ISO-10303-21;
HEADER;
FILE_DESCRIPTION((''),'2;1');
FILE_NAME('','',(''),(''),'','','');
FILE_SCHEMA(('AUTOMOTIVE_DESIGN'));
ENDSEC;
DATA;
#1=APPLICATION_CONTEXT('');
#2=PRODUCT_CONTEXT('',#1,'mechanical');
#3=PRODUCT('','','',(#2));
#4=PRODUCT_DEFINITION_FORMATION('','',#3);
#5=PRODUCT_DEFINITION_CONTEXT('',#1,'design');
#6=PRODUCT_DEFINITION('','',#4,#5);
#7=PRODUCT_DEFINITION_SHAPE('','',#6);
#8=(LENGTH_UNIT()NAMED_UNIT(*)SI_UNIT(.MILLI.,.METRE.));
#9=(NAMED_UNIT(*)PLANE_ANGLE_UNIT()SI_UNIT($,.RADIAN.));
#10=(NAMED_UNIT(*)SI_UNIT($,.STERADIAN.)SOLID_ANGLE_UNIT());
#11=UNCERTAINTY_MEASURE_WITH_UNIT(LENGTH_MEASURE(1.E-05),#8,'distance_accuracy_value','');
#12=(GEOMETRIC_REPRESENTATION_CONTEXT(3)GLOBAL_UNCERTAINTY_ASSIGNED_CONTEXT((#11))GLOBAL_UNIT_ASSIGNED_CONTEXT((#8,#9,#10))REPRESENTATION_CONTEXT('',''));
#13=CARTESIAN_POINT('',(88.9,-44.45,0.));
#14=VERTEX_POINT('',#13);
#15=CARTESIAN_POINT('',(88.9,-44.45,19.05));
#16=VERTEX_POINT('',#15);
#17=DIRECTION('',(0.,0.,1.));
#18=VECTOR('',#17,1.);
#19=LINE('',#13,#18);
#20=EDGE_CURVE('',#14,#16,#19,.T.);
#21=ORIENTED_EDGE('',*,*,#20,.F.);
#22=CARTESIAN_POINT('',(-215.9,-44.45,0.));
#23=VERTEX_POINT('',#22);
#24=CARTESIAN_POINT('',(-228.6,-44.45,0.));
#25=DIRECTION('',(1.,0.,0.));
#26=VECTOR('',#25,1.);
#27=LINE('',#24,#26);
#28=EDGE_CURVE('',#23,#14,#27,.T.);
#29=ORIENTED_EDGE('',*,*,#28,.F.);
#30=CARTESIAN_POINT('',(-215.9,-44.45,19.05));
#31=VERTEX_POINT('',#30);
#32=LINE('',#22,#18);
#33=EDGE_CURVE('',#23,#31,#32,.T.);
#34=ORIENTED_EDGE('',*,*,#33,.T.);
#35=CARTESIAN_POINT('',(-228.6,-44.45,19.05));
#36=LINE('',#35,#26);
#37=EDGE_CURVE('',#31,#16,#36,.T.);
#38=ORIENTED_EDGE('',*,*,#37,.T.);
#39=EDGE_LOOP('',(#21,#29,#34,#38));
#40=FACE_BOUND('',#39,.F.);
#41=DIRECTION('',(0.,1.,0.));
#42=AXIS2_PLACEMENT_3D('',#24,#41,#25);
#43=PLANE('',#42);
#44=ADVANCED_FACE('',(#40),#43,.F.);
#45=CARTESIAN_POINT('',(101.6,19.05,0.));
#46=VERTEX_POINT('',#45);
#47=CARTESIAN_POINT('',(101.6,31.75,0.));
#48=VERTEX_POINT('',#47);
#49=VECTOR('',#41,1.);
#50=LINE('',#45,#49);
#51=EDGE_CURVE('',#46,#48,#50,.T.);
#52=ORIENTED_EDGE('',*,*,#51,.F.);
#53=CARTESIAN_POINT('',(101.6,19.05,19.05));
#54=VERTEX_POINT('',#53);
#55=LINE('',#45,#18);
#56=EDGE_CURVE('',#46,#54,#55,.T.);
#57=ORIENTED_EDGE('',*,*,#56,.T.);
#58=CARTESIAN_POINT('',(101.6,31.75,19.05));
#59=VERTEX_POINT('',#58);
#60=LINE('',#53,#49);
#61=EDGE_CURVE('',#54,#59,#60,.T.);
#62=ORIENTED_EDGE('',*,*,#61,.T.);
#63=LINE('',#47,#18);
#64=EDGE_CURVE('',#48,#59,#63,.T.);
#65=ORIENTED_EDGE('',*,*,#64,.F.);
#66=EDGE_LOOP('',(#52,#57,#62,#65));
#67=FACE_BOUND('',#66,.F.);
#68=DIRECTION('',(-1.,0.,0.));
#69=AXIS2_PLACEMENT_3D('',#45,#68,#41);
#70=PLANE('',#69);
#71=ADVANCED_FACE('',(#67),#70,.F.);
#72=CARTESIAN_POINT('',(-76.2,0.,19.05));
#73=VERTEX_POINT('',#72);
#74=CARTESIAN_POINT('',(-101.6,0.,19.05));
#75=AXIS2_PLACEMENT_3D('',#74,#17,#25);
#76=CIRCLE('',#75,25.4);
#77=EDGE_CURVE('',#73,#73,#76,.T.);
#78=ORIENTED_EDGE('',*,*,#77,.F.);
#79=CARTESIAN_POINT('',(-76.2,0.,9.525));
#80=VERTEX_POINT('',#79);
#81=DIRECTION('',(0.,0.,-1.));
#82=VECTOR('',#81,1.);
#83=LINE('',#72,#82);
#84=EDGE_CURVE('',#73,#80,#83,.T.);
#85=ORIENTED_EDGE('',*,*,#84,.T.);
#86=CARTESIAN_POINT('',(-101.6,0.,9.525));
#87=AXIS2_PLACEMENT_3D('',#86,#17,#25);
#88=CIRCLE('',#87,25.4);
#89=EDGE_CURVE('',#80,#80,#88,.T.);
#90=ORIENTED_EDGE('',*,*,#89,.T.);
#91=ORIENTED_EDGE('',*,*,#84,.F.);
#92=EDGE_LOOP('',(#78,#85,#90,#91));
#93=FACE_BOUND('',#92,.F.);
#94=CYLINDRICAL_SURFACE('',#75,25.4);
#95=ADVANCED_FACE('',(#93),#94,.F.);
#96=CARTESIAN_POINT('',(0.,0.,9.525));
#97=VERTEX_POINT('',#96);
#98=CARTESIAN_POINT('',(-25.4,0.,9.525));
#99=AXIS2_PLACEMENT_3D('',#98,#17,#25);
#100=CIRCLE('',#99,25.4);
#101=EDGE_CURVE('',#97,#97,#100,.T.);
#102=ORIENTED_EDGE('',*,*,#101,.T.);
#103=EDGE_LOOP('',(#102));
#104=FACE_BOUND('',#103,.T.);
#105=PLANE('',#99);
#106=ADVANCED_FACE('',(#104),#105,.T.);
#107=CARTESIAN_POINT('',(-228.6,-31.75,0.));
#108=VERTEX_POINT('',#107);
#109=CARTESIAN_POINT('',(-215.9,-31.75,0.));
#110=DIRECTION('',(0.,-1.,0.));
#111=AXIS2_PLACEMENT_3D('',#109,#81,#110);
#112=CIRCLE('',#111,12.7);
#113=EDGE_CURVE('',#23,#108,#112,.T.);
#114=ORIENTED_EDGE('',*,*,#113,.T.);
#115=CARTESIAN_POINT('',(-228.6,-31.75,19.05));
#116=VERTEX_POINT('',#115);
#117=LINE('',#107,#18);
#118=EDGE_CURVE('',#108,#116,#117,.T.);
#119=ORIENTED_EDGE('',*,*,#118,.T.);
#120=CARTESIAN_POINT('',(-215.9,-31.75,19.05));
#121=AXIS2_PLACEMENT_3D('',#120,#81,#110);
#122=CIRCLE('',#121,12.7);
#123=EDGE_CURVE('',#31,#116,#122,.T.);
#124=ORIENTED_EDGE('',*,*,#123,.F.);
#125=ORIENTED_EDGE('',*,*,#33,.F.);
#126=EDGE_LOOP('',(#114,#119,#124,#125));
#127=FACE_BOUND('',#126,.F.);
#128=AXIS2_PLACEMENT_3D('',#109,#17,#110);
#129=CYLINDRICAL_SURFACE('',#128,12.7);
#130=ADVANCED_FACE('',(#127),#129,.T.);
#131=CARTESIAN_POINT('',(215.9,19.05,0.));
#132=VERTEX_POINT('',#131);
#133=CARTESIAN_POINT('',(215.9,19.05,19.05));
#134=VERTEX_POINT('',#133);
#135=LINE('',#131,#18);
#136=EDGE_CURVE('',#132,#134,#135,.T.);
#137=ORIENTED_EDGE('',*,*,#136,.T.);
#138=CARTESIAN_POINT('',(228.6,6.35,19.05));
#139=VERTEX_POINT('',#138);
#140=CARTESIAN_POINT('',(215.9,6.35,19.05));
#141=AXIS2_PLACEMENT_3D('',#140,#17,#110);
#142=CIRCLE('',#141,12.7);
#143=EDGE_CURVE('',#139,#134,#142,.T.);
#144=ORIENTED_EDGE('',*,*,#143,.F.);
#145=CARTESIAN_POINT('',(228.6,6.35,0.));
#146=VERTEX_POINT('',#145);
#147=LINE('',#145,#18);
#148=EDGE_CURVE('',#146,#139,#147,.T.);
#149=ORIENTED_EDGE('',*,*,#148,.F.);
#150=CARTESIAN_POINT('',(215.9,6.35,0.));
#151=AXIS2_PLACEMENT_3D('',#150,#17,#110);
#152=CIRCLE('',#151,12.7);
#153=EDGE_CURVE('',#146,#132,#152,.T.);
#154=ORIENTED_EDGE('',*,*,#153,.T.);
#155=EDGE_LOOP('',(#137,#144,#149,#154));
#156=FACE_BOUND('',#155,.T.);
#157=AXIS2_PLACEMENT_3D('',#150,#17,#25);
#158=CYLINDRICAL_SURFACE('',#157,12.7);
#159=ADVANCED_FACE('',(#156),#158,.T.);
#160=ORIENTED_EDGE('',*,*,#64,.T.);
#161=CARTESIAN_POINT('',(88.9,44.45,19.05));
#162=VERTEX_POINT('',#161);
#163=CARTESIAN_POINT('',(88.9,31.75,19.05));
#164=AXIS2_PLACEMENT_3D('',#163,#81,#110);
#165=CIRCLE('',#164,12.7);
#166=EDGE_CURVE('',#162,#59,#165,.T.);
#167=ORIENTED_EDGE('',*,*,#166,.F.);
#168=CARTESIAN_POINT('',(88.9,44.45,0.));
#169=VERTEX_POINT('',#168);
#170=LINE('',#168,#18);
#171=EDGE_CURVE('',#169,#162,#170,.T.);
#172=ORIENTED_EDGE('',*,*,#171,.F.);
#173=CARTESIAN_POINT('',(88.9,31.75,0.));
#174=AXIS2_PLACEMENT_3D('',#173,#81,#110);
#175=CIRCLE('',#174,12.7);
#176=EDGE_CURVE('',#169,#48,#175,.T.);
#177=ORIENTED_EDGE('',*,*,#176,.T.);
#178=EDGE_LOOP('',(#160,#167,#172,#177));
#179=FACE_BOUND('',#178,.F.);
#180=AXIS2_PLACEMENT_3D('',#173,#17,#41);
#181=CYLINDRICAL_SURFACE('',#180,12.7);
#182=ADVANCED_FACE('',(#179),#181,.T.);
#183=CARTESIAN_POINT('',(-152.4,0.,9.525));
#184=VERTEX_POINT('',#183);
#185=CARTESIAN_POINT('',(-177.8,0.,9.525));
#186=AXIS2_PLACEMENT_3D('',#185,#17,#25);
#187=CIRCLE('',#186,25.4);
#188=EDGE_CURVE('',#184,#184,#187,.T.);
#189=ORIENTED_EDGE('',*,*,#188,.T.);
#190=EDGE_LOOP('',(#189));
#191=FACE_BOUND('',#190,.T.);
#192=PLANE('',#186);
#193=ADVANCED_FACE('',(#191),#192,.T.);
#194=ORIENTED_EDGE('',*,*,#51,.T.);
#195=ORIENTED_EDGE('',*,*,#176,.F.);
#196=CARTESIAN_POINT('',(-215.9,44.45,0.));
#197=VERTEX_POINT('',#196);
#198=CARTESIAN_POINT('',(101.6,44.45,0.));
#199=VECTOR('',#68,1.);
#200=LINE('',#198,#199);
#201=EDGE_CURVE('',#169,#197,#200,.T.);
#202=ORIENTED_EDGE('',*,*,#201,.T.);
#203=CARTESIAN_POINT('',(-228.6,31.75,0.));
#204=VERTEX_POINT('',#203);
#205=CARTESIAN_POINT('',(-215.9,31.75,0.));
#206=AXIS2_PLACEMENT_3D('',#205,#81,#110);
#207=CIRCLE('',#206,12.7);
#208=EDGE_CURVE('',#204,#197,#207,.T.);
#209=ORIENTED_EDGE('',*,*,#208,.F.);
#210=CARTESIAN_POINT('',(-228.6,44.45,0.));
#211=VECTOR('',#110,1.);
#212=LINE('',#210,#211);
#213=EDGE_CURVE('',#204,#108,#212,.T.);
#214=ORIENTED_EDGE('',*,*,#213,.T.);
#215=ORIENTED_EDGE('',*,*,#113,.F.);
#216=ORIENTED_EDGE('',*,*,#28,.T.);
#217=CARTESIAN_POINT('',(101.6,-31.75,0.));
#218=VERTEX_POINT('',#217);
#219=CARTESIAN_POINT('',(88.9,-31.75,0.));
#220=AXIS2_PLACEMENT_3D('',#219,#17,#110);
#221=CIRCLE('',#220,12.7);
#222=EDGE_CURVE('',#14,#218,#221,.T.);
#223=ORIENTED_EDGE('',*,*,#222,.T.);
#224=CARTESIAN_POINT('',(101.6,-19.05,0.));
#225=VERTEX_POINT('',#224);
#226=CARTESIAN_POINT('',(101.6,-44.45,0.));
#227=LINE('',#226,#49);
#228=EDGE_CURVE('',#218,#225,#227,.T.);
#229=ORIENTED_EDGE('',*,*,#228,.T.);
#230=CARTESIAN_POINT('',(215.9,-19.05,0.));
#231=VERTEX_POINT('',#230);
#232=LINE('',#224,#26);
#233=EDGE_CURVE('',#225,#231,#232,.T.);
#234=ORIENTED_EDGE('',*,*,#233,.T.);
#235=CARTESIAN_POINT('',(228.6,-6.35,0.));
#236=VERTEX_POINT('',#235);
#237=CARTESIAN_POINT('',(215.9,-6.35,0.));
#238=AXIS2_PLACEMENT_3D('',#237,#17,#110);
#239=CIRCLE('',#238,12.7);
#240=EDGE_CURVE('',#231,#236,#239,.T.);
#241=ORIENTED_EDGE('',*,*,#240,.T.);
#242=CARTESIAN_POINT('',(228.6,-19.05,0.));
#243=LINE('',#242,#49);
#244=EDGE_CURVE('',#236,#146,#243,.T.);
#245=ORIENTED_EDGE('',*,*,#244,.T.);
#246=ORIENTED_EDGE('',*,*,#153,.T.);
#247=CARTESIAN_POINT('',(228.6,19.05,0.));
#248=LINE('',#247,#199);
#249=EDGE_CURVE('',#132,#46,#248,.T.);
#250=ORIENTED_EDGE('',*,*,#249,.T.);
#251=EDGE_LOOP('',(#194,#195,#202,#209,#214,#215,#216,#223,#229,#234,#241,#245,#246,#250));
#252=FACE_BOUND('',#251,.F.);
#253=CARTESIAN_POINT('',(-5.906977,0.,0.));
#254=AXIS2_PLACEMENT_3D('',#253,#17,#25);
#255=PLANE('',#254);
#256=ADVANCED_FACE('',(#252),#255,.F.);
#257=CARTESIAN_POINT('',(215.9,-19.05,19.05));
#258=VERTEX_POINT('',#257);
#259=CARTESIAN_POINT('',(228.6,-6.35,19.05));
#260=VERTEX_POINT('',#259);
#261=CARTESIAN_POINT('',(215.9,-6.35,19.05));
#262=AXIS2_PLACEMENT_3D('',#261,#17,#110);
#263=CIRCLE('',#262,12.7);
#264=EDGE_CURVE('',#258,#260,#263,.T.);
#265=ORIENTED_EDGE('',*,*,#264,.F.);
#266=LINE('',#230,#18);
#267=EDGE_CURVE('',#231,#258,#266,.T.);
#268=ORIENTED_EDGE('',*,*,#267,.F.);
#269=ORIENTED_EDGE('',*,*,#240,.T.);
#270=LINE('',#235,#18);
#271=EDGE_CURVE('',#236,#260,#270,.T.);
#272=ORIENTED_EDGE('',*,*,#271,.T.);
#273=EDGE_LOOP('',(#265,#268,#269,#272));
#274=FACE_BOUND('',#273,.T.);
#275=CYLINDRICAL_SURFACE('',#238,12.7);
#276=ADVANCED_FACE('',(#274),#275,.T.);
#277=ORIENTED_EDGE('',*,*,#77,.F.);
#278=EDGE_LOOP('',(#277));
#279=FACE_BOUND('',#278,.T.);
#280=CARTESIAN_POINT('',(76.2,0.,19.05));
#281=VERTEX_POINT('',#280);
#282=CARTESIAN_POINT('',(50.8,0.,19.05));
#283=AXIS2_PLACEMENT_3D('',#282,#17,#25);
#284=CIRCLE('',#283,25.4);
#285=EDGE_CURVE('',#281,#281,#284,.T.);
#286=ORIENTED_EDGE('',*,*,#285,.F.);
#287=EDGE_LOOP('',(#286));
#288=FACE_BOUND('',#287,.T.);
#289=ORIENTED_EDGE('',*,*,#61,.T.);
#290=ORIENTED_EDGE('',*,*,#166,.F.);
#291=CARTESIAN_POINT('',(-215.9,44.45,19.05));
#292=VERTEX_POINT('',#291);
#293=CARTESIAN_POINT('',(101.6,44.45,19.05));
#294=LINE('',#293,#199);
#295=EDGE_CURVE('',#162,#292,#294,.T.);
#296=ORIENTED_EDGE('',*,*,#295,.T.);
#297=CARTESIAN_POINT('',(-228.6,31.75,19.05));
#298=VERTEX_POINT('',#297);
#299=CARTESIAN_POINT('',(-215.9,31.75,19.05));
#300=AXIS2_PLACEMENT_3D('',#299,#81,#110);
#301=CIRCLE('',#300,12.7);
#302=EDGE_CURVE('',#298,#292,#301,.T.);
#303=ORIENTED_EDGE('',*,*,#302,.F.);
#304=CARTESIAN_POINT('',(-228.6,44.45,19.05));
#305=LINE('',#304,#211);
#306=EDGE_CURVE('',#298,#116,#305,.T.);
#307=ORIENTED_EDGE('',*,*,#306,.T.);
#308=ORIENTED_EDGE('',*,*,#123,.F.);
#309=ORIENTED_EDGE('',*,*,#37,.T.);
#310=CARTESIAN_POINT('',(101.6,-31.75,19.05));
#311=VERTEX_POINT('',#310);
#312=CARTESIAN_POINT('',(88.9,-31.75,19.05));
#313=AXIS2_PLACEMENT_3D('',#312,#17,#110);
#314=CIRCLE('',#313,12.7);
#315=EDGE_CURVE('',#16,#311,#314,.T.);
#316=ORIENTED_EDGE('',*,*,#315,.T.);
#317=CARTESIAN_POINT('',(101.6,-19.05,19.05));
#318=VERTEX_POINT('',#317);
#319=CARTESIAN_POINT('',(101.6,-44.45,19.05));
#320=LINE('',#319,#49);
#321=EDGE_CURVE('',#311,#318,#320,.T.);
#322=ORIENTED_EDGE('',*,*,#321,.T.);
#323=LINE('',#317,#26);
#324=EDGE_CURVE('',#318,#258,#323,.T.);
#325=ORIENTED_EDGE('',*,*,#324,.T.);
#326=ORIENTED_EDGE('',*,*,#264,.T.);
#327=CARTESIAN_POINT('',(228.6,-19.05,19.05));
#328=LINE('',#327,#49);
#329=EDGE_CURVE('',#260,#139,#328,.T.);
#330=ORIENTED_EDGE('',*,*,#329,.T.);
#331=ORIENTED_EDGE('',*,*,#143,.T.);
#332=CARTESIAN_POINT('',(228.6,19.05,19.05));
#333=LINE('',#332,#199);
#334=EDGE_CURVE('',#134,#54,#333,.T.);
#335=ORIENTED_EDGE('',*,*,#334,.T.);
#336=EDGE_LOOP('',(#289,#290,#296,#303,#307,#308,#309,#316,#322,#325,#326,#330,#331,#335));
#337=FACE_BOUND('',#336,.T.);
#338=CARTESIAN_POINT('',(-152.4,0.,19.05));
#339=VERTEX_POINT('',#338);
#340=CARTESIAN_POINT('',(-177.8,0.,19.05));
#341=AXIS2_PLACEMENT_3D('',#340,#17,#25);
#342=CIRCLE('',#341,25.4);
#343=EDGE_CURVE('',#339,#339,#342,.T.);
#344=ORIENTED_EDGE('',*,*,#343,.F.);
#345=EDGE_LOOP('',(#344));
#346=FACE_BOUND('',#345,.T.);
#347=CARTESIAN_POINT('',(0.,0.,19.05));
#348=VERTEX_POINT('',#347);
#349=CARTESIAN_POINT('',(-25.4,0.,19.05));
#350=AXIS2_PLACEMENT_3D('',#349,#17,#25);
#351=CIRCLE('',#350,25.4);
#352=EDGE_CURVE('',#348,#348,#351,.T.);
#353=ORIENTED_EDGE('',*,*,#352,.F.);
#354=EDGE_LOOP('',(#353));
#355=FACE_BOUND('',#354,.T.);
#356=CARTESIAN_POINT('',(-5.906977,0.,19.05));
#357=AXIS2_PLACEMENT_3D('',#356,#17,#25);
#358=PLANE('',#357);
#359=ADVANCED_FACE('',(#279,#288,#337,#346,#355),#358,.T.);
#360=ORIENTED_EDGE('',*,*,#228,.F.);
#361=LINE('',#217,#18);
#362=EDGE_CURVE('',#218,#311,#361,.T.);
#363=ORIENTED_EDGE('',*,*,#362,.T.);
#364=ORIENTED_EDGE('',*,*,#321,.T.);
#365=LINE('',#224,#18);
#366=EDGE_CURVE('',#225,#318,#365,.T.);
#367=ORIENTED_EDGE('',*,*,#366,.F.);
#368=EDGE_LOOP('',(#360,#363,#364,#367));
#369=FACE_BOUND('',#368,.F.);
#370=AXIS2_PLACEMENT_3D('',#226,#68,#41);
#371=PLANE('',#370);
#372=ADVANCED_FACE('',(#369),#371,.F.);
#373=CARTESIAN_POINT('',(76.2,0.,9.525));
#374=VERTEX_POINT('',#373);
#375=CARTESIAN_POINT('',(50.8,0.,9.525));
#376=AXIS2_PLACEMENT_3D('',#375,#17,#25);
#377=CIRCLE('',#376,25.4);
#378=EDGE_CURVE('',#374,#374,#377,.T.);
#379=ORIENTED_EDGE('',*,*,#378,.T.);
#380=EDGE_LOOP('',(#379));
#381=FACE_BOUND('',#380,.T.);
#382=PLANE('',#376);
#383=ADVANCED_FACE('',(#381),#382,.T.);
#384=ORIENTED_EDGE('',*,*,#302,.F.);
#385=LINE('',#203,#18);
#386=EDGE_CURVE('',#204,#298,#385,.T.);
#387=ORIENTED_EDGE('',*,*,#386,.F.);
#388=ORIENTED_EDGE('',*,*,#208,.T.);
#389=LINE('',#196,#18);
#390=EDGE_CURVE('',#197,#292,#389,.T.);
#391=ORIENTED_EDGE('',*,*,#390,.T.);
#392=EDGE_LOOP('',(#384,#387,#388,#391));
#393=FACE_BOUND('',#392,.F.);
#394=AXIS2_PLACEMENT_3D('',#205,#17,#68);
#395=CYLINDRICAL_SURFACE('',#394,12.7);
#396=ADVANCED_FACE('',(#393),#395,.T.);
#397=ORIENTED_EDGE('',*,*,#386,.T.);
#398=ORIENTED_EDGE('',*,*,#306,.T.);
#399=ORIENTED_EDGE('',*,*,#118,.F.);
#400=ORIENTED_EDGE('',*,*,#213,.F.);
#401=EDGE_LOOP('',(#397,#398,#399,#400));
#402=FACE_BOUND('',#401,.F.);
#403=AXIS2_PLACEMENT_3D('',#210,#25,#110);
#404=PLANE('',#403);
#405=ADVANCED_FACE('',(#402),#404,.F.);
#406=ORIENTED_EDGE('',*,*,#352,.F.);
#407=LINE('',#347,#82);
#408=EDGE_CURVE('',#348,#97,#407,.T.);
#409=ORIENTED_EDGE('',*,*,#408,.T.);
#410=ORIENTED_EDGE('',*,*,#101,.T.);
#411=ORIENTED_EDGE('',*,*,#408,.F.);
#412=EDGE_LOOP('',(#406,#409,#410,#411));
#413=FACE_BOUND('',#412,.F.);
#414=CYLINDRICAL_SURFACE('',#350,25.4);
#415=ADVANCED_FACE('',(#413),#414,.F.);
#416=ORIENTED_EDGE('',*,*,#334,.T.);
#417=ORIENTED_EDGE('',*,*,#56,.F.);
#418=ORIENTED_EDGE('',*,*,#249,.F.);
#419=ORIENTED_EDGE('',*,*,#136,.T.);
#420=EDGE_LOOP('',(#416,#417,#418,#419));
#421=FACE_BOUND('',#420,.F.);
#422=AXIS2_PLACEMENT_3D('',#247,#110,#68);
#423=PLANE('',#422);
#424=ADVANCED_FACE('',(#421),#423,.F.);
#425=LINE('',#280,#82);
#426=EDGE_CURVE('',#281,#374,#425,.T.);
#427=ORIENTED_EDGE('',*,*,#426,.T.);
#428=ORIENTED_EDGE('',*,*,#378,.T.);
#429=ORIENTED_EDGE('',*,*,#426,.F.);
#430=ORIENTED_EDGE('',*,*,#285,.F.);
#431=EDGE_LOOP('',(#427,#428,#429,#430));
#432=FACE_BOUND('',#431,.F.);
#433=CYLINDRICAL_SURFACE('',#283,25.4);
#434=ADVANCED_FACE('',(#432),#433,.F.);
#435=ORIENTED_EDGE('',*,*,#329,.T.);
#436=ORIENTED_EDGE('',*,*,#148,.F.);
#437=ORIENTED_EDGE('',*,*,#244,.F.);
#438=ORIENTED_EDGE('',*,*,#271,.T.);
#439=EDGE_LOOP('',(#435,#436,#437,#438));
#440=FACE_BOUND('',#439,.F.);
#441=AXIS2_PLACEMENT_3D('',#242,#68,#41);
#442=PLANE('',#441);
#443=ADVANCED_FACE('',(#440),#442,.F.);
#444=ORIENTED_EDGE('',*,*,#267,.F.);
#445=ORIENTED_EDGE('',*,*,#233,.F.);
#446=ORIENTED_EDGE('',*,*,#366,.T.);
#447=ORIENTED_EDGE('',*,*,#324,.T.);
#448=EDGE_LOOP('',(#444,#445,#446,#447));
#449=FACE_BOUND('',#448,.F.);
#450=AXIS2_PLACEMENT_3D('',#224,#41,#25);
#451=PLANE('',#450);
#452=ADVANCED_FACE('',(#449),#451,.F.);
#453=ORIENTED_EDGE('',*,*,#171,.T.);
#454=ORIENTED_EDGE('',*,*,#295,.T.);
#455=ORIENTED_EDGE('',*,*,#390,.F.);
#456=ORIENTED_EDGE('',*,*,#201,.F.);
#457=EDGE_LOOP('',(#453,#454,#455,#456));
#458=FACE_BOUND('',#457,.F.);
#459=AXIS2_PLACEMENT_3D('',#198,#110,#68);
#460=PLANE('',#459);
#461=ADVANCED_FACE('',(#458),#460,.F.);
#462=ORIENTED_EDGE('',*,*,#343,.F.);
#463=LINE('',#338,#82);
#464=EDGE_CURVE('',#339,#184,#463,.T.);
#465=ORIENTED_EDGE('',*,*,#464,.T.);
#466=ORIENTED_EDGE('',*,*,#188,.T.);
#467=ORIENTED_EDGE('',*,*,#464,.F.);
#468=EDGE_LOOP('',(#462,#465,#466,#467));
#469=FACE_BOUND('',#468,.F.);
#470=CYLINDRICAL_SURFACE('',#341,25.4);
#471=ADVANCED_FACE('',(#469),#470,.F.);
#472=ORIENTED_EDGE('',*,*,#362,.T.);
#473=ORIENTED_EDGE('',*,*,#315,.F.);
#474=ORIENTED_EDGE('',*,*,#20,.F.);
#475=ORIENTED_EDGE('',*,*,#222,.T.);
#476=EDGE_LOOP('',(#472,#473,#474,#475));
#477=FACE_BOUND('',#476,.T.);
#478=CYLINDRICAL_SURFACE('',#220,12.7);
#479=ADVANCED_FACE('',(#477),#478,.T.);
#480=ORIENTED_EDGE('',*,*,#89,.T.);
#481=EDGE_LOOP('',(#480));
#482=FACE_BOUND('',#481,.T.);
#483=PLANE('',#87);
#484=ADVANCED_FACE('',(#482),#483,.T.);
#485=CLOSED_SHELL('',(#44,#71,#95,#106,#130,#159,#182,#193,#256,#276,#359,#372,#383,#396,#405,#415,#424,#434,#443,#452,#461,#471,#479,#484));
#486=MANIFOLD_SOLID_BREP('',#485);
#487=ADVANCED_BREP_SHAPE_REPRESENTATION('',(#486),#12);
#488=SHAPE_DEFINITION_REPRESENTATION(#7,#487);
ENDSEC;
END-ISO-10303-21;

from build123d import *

# Parameters (mm, degrees)
F1_DEPTH = 19.05
F2_R     = 25.4
F3_DEPTH = 9.525
F4_R     = 12.7


with BuildPart() as f1:
    # F0 (on Top) → F1 (new body)
    with BuildSketch(Plane.XY):
        Polygon((-228.6, -44.45), (101.6, -44.45), (101.6, -19.05), (228.6, -19.05), (228.6, 19.05), (101.6, 19.05), (101.6, 44.45), (-228.6, 44.45), align=None)
    extrude(amount=F1_DEPTH)

    # F2 (on face) → F3 (cut)
    with BuildSketch(Plane.XY.offset(19.05)):
        with Locations((-177.8, 0)):
            Circle(F2_R)
        with Locations((-101.6, 0)):
            Circle(F2_R)
        with Locations((-25.4, 0)):
            Circle(F2_R)
        with Locations((50.8, 0)):
            Circle(F2_R)
    extrude(amount=-F3_DEPTH, mode=Mode.SUBTRACT)

    # F4
    f4_edges = [f1.edges().sort_by_distance(p)[0] for p in [
        (-228.6, -44.45, 9.525),
        (101.6, -44.45, 9.525),
        (101.6, 44.45, 9.525),
        (228.6, -19.05, 9.525),
        (228.6, 19.05, 9.525),
        (-228.6, 44.45, 9.525),
    ]]
    fillet(f4_edges, radius=F4_R)


solid = f1.part
